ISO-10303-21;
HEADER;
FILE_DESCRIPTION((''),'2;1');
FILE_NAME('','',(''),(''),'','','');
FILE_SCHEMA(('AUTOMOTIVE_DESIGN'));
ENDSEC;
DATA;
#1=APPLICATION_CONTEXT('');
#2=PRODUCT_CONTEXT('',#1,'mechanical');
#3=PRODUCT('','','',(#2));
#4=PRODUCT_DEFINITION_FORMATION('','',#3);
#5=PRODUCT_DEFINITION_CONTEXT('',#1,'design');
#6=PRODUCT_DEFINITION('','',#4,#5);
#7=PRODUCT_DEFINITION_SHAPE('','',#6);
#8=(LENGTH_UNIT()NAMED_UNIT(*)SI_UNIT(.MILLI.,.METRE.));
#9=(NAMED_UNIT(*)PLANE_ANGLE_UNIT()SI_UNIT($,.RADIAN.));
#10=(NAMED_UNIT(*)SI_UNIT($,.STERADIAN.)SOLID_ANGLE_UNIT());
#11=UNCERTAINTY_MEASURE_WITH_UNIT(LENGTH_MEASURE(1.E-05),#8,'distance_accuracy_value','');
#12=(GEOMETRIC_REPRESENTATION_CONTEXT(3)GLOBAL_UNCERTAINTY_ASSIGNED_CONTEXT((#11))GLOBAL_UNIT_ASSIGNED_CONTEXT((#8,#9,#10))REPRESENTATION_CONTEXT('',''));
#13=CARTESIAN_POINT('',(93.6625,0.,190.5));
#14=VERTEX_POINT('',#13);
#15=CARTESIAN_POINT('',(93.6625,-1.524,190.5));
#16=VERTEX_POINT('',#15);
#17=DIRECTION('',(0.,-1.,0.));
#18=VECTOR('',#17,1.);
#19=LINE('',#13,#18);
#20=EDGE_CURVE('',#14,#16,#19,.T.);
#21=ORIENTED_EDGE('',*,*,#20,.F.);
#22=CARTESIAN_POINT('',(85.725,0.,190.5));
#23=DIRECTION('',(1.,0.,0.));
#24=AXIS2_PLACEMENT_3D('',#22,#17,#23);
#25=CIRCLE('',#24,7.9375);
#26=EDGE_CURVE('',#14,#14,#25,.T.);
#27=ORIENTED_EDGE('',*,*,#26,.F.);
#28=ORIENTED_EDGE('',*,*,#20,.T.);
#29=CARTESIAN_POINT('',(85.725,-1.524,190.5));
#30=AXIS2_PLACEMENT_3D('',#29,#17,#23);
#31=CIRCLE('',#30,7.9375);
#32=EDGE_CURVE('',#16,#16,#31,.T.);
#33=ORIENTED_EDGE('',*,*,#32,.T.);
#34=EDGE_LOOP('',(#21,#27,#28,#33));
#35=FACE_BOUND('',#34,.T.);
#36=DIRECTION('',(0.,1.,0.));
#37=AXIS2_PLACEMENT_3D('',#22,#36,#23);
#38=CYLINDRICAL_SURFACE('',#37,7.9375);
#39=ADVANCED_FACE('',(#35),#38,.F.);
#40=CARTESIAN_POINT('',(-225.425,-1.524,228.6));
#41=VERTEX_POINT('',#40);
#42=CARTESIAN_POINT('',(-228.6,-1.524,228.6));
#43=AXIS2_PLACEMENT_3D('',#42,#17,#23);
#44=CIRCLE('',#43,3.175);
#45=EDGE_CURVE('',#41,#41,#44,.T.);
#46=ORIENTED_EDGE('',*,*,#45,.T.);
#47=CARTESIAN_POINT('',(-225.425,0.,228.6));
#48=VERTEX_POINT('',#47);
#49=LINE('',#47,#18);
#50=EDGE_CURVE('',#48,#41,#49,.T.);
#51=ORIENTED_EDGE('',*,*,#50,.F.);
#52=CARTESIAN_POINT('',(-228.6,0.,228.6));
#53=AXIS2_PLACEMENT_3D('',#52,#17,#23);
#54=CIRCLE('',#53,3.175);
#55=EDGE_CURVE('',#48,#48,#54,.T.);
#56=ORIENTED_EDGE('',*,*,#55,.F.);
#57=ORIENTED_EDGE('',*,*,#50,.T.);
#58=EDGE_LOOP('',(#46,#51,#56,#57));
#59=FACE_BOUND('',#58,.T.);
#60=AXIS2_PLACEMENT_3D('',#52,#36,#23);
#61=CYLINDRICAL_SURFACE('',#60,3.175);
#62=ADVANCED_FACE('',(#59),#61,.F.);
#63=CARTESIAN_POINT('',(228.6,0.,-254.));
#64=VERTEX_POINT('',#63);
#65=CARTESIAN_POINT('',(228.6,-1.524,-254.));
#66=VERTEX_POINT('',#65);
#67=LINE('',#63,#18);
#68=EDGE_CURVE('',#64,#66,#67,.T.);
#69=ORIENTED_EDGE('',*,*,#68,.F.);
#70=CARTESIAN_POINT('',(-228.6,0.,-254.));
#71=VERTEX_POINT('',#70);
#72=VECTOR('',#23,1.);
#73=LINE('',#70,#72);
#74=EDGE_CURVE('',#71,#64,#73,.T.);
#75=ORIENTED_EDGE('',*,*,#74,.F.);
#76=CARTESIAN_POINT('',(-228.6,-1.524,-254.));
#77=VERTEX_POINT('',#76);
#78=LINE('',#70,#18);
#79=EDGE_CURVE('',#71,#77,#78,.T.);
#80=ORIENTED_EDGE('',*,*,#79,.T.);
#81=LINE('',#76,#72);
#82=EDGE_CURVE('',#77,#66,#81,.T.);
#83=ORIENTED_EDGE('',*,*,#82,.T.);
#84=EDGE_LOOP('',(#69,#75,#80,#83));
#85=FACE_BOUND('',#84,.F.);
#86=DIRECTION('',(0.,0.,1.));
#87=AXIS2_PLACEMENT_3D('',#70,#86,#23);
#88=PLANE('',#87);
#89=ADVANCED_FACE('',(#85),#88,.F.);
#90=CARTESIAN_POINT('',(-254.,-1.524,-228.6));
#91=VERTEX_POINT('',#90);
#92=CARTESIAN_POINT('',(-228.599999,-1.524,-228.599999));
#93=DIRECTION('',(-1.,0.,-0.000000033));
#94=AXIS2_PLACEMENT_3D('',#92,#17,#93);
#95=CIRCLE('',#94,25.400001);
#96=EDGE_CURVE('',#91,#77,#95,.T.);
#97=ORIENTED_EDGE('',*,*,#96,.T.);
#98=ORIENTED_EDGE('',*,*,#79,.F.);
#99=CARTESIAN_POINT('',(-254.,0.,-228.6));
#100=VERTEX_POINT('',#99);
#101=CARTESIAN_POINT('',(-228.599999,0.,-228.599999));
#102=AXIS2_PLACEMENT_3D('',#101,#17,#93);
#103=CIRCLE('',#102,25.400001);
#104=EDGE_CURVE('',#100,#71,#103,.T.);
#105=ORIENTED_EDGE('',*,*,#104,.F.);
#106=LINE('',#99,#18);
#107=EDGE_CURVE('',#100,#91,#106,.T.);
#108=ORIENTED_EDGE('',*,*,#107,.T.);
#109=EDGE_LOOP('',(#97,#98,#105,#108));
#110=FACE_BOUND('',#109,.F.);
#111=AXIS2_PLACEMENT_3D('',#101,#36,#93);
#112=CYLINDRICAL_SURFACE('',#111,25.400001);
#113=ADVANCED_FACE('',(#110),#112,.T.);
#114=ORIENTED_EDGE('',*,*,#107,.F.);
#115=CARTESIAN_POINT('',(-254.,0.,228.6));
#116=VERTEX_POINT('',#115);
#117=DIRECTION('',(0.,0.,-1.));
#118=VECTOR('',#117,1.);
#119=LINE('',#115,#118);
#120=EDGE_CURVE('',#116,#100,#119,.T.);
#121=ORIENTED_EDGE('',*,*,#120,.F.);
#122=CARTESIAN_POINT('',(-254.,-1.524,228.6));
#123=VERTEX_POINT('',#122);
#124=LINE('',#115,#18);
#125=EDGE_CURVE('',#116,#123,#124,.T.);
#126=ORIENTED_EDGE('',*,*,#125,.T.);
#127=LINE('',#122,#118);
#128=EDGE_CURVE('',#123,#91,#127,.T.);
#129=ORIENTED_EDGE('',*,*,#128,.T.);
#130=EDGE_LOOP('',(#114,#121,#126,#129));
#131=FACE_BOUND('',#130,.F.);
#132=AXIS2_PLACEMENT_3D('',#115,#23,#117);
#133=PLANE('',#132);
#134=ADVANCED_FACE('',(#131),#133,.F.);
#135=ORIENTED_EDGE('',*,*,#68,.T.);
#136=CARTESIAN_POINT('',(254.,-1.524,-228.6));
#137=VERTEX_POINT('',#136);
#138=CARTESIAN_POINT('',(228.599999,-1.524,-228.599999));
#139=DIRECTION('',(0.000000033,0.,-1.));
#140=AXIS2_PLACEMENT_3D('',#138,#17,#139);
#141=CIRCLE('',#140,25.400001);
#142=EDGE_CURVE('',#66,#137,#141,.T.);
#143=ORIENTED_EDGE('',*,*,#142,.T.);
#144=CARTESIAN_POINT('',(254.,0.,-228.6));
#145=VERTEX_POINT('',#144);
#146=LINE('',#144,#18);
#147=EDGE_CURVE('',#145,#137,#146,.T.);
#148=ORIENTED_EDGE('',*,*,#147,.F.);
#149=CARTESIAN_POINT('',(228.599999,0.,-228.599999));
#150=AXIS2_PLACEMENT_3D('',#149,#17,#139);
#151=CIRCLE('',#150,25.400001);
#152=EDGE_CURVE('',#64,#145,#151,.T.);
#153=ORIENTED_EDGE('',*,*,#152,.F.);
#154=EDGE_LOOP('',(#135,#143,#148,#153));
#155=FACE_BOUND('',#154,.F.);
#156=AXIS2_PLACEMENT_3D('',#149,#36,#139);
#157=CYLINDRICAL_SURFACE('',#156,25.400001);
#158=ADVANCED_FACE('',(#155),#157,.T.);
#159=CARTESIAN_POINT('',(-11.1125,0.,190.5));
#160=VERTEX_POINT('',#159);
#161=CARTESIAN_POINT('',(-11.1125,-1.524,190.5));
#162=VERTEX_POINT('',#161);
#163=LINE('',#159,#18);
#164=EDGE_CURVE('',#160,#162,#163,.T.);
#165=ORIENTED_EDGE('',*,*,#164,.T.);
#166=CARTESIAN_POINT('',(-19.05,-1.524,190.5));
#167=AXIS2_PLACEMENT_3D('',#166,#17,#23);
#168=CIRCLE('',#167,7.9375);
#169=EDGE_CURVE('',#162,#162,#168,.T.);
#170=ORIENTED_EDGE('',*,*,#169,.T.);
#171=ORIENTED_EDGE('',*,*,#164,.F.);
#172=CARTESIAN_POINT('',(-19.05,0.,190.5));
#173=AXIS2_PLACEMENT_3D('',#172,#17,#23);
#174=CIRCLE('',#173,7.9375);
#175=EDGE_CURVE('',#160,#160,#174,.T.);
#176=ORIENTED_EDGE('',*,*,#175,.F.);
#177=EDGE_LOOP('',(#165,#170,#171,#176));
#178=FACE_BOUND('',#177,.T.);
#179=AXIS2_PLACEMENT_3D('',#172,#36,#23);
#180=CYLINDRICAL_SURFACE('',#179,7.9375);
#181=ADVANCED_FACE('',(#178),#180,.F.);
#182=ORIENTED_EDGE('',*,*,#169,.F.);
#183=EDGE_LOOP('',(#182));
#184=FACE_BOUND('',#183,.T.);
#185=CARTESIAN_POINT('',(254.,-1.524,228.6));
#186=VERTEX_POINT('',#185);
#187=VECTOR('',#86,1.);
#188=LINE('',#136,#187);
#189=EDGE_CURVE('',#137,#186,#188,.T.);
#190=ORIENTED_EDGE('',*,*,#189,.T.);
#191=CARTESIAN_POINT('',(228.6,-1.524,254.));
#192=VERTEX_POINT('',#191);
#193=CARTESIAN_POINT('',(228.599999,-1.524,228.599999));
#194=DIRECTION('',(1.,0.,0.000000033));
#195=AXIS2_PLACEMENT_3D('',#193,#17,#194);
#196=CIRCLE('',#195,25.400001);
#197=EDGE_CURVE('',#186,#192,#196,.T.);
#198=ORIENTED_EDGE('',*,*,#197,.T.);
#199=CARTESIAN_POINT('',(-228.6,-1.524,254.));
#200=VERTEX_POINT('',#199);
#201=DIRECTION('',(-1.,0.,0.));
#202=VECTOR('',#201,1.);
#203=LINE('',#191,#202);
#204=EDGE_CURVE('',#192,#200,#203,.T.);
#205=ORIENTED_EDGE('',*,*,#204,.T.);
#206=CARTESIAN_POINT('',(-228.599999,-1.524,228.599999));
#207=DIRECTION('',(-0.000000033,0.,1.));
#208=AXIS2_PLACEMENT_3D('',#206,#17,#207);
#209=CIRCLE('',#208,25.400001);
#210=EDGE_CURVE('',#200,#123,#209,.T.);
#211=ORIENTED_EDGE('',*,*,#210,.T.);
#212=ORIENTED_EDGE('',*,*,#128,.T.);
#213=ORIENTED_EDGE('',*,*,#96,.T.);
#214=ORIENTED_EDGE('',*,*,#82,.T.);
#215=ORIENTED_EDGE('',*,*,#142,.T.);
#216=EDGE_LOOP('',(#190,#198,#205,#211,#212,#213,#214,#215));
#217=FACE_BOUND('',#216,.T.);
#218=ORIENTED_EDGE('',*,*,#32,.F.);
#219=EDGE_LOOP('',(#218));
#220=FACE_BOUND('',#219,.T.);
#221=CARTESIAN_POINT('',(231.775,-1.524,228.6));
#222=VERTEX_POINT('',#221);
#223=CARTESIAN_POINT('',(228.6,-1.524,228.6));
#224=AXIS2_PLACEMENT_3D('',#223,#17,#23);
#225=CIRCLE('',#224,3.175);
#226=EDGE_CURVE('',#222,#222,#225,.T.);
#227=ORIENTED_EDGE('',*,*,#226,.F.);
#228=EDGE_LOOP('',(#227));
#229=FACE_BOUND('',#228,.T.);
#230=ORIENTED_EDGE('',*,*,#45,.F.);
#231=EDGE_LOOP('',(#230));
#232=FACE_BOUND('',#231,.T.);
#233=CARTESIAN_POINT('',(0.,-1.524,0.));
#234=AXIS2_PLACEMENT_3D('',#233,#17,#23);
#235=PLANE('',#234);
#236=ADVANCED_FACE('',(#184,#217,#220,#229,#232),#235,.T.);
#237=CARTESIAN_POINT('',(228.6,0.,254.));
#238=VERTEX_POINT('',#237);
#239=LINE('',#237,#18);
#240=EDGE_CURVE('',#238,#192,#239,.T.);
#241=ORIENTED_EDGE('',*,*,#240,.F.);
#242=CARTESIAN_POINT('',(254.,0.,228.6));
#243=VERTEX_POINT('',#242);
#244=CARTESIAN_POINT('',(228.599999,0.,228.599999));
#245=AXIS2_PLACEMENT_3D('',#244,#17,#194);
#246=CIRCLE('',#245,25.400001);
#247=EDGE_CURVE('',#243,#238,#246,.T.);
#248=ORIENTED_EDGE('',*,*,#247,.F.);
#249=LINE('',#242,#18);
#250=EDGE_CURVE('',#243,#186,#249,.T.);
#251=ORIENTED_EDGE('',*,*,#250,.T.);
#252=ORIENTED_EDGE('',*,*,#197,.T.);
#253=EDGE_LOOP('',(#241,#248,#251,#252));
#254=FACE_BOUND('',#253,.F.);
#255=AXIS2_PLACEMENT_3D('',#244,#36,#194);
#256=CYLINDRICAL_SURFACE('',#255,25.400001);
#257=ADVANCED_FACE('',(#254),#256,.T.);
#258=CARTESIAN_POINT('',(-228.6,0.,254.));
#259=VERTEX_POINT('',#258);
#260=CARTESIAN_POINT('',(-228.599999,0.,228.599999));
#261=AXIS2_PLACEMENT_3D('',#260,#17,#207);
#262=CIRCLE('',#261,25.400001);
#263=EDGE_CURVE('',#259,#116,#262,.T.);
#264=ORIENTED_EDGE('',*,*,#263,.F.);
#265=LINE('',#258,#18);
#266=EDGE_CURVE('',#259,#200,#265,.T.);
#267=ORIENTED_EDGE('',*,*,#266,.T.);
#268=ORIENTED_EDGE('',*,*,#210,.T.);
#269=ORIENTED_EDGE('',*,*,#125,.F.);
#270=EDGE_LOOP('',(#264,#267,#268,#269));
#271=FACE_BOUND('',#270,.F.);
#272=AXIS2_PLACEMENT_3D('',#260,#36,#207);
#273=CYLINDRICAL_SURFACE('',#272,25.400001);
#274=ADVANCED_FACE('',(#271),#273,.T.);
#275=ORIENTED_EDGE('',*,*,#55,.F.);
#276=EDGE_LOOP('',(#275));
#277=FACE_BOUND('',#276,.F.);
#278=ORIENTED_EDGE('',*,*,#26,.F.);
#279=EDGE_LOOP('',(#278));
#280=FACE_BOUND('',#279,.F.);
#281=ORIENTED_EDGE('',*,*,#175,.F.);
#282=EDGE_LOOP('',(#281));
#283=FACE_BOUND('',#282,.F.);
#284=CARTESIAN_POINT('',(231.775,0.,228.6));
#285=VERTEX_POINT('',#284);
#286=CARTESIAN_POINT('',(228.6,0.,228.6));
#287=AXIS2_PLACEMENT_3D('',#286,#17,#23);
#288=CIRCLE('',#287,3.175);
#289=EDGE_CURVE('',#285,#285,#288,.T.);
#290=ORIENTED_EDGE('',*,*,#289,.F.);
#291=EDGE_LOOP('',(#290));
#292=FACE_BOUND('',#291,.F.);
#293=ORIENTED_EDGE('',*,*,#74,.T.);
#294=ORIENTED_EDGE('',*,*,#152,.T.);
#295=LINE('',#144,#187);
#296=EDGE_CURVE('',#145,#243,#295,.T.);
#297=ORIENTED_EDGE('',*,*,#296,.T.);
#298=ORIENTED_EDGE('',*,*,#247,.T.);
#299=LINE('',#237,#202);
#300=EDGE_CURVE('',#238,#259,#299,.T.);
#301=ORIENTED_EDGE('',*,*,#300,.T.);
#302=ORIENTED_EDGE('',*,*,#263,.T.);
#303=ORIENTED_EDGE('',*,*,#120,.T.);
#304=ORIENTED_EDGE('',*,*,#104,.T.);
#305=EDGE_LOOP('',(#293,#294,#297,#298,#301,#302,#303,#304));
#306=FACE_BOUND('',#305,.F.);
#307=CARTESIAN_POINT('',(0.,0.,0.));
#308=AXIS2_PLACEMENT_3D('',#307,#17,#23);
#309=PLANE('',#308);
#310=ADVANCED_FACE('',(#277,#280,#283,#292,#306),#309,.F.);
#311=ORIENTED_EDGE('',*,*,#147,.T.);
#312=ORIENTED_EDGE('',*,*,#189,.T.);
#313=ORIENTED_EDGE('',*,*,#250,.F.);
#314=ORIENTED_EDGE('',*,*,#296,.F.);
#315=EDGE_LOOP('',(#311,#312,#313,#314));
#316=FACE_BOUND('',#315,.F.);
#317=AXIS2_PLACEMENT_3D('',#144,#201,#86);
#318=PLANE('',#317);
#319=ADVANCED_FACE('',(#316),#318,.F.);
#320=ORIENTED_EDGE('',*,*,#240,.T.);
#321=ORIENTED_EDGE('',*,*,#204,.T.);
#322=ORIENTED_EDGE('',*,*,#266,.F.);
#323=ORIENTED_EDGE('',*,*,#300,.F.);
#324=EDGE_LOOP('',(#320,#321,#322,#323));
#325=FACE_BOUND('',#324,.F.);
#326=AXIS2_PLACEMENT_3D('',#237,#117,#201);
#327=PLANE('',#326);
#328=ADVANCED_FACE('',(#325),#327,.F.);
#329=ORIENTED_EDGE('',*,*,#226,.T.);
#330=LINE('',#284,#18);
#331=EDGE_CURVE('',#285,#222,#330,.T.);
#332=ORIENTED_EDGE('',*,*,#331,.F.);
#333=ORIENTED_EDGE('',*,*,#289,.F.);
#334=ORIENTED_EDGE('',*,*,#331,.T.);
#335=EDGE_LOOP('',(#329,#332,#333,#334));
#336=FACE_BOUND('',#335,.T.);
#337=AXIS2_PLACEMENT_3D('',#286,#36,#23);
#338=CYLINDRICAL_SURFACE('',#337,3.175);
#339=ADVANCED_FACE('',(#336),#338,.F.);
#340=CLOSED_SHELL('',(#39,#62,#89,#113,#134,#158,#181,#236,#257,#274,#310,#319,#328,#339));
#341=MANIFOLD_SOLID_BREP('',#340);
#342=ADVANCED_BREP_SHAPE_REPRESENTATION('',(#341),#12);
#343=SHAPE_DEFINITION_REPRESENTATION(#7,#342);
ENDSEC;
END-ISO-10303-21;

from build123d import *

# Parameters (mm, degrees)
F0_R     = 3.175
F0_R_2   = 7.9375
F1_DEPTH = 1.524


with BuildPart() as f1:
    # F0 (on Front) → F1 (new body)
    with BuildSketch(Plane.XZ):
        with BuildLine():
            ThreePointArc((254, 228.6), (246.560512, 246.560512), (228.6, 254))
            Line((228.6, 254), (-228.6, 254))
            ThreePointArc((-228.6, 254), (-246.560512, 246.560512), (-254, 228.6))
            Line((-254, 228.6), (-254, -228.6))
            ThreePointArc((-254, -228.6), (-246.560512, -246.560512), (-228.6, -254))
            Line((-228.6, -254), (228.6, -254))
            ThreePointArc((228.6, -254), (246.560512, -246.560512), (254, -228.6))
            Line((254, -228.6), (254, 228.6))
        make_face()
        with Locations((-228.6, 228.6)):
            Circle(F0_R, mode=Mode.SUBTRACT)
        with Locations((-19.05, 190.5)):
            Circle(F0_R_2, mode=Mode.SUBTRACT)
        with Locations((85.725, 190.5)):
            Circle(F0_R_2, mode=Mode.SUBTRACT)
        with Locations((228.6, 228.6)):
            Circle(F0_R, mode=Mode.SUBTRACT)
    extrude(amount=F1_DEPTH)


solid = f1.part
